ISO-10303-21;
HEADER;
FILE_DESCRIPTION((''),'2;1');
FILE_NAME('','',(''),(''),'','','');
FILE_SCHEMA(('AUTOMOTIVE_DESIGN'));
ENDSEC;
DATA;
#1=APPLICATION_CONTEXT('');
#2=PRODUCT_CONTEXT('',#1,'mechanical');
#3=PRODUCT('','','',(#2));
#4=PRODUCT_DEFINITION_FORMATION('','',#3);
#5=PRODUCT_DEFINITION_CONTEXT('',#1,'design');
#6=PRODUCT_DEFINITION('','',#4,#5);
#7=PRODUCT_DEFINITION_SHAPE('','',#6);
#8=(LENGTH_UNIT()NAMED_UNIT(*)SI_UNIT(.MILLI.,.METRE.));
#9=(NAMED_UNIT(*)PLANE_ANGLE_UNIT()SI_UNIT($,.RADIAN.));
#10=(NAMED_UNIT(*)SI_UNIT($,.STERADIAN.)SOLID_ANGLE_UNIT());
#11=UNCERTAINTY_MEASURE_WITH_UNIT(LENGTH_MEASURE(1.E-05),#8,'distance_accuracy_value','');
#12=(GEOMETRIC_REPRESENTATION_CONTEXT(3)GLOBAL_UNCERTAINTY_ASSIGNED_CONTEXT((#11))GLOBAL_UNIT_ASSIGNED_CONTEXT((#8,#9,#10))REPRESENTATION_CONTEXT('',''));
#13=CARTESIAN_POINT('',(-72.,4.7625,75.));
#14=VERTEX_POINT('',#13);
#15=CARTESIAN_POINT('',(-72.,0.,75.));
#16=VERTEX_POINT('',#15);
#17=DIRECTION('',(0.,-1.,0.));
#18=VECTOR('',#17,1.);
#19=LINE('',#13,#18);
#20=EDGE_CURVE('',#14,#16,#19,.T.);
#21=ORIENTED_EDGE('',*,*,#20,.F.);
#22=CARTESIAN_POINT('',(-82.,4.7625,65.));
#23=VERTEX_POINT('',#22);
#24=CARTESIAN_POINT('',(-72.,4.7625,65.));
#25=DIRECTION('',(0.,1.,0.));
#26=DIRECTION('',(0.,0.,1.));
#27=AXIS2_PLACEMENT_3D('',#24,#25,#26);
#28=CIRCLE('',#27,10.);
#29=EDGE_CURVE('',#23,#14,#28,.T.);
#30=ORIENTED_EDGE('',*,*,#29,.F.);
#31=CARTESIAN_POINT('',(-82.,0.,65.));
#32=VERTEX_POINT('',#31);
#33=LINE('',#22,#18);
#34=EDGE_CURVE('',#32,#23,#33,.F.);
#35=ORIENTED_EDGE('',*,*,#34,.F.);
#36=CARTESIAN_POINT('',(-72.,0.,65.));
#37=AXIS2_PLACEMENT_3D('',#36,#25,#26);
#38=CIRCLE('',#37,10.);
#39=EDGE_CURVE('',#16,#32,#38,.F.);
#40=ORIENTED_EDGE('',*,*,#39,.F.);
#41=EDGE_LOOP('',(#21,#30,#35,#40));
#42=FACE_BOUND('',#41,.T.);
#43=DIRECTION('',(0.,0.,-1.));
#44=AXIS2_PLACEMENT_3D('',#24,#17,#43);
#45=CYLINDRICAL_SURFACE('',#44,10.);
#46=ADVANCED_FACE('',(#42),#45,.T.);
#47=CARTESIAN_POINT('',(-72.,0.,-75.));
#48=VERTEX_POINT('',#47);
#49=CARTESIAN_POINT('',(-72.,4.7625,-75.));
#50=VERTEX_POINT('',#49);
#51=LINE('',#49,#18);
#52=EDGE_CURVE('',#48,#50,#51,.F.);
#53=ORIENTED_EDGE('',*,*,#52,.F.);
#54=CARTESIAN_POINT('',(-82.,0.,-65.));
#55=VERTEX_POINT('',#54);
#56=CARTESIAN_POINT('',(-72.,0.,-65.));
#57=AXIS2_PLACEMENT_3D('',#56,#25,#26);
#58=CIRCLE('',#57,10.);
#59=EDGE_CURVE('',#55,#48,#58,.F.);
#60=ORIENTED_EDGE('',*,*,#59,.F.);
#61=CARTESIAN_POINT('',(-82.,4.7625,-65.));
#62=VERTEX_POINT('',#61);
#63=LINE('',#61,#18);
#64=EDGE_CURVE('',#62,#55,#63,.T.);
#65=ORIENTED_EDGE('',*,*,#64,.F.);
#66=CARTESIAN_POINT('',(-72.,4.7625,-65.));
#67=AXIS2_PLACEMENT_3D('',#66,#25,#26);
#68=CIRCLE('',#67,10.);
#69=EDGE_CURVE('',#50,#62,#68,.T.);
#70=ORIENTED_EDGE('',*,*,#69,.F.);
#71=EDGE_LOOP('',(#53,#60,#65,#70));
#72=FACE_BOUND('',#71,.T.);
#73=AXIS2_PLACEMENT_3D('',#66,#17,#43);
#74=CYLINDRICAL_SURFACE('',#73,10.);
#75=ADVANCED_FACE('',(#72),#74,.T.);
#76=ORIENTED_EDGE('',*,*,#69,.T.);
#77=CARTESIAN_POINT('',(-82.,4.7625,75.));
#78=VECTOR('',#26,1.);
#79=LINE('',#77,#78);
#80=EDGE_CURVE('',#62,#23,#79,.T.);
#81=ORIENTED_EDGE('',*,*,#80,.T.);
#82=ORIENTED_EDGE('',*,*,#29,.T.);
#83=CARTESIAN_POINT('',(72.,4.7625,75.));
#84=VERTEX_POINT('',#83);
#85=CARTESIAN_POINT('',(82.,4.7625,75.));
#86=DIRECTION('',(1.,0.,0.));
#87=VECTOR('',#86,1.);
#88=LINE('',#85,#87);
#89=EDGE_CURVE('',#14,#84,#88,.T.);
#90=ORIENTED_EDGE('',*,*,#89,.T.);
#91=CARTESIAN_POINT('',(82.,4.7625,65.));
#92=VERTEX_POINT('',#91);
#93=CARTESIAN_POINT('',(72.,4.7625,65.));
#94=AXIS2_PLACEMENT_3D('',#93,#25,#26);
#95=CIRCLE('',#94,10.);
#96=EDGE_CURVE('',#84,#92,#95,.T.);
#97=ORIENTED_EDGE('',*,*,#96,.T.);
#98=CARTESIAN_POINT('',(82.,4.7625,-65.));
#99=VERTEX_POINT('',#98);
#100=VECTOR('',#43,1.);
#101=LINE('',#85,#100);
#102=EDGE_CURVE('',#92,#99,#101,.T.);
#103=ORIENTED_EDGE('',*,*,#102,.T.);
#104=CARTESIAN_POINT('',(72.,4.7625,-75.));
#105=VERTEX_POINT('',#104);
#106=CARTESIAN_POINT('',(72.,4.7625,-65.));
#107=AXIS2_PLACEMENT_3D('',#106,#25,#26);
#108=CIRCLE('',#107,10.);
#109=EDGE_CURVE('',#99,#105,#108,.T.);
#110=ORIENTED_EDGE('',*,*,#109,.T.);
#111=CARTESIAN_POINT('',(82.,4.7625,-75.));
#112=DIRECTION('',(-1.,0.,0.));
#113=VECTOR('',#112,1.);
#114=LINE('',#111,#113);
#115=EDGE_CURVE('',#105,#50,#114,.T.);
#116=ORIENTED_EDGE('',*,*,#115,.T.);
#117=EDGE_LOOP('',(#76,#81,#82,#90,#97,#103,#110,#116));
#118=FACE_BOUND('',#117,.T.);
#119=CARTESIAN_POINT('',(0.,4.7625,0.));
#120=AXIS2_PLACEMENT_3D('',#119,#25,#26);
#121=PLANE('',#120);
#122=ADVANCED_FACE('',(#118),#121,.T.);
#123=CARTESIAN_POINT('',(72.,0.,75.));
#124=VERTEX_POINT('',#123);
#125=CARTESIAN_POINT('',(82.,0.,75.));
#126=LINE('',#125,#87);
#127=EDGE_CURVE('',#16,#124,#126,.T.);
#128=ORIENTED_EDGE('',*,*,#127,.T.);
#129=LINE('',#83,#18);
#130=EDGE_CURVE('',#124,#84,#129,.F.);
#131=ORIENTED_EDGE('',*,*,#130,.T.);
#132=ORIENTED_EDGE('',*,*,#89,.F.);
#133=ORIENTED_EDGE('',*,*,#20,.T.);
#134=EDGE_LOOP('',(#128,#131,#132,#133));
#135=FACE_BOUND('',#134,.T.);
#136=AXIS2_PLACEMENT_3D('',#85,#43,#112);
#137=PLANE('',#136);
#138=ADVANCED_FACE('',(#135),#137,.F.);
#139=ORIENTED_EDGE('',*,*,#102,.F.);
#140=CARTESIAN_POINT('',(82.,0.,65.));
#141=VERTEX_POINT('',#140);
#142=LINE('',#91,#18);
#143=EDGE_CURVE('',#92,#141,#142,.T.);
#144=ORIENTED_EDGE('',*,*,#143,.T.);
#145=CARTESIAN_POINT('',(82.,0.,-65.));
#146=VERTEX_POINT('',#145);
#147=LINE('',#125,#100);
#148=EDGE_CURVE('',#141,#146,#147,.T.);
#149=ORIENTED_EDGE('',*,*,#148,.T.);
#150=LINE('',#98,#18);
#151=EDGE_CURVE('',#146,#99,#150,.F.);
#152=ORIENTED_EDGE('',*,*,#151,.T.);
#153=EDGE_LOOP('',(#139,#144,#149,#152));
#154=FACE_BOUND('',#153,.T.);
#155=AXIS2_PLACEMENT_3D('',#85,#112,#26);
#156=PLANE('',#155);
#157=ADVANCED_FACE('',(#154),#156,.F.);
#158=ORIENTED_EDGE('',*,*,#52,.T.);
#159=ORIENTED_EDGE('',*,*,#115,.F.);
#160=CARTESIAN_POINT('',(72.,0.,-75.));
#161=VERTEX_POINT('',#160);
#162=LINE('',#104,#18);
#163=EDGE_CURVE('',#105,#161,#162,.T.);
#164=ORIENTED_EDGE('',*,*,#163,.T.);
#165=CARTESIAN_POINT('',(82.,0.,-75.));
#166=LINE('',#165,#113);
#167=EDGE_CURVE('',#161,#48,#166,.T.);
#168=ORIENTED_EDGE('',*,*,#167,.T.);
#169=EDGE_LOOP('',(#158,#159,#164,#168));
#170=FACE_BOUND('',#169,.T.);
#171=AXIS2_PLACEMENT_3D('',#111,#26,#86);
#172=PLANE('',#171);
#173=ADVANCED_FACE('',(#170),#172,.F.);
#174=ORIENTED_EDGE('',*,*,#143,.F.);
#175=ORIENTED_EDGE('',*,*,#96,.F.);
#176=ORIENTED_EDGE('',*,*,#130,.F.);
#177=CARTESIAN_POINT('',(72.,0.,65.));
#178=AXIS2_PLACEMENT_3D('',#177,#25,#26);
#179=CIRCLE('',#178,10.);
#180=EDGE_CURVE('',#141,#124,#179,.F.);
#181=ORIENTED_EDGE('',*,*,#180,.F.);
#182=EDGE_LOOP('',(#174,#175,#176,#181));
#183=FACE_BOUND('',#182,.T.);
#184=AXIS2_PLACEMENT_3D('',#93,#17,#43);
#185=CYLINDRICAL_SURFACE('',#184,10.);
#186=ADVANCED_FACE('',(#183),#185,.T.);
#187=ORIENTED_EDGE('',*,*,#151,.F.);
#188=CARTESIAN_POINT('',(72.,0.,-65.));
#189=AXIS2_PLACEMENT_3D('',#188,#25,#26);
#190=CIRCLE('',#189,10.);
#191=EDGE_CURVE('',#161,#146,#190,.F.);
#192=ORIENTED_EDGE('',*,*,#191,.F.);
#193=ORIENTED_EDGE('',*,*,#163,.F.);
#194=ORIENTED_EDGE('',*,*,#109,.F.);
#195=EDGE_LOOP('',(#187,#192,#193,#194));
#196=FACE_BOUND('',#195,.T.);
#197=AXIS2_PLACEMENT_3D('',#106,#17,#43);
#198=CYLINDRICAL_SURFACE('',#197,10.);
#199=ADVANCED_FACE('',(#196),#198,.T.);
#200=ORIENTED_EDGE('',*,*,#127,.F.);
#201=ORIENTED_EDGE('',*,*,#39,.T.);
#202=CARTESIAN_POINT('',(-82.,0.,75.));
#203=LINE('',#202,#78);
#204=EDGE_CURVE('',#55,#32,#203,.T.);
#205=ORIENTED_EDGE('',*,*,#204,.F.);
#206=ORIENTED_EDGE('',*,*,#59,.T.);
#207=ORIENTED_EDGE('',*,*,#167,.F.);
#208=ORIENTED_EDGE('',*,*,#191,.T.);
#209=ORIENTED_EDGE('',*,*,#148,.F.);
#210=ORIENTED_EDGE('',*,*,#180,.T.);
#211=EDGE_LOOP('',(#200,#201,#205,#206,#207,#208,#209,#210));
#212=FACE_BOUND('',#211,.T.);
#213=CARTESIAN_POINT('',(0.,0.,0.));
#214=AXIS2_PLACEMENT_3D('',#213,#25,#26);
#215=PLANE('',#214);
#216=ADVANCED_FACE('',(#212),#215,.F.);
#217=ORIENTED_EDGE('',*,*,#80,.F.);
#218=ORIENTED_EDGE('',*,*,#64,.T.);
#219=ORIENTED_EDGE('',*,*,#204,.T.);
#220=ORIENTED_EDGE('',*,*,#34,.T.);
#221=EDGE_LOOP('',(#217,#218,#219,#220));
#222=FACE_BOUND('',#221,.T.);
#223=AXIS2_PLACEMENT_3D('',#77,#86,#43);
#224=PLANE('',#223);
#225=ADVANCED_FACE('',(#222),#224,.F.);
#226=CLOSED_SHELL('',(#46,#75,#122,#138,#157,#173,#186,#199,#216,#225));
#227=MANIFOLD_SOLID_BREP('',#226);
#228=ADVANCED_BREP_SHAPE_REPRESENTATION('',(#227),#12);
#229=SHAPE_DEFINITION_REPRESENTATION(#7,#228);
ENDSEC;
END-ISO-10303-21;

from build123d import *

# Parameters (mm, degrees)
SKETCH1_W           = 164
SKETCH1_H           = 150
BOSS_EXTRUDE1_DEPTH = 4.7625
FILLET1_R           = 10


with BuildPart() as part:
    # Sketch1 → Boss-Extrude1 (new body)
    with BuildSketch(Plane(origin=(0, 0, 0), x_dir=(1, 0, 0), z_dir=(0, 1, 0))):
        Rectangle(SKETCH1_W, SKETCH1_H)
    extrude(amount=BOSS_EXTRUDE1_DEPTH)

    # Fillet1
    fillet1_edges = [part.edges().sort_by_distance(p)[0] for p in [
        (-82, 2.38125, -75),
        (82, 2.38125, -75),
        (82, 2.38125, 75),
        (-82, 2.38125, 75),
    ]]
    fillet(fillet1_edges, radius=FILLET1_R)


solid = part.part
